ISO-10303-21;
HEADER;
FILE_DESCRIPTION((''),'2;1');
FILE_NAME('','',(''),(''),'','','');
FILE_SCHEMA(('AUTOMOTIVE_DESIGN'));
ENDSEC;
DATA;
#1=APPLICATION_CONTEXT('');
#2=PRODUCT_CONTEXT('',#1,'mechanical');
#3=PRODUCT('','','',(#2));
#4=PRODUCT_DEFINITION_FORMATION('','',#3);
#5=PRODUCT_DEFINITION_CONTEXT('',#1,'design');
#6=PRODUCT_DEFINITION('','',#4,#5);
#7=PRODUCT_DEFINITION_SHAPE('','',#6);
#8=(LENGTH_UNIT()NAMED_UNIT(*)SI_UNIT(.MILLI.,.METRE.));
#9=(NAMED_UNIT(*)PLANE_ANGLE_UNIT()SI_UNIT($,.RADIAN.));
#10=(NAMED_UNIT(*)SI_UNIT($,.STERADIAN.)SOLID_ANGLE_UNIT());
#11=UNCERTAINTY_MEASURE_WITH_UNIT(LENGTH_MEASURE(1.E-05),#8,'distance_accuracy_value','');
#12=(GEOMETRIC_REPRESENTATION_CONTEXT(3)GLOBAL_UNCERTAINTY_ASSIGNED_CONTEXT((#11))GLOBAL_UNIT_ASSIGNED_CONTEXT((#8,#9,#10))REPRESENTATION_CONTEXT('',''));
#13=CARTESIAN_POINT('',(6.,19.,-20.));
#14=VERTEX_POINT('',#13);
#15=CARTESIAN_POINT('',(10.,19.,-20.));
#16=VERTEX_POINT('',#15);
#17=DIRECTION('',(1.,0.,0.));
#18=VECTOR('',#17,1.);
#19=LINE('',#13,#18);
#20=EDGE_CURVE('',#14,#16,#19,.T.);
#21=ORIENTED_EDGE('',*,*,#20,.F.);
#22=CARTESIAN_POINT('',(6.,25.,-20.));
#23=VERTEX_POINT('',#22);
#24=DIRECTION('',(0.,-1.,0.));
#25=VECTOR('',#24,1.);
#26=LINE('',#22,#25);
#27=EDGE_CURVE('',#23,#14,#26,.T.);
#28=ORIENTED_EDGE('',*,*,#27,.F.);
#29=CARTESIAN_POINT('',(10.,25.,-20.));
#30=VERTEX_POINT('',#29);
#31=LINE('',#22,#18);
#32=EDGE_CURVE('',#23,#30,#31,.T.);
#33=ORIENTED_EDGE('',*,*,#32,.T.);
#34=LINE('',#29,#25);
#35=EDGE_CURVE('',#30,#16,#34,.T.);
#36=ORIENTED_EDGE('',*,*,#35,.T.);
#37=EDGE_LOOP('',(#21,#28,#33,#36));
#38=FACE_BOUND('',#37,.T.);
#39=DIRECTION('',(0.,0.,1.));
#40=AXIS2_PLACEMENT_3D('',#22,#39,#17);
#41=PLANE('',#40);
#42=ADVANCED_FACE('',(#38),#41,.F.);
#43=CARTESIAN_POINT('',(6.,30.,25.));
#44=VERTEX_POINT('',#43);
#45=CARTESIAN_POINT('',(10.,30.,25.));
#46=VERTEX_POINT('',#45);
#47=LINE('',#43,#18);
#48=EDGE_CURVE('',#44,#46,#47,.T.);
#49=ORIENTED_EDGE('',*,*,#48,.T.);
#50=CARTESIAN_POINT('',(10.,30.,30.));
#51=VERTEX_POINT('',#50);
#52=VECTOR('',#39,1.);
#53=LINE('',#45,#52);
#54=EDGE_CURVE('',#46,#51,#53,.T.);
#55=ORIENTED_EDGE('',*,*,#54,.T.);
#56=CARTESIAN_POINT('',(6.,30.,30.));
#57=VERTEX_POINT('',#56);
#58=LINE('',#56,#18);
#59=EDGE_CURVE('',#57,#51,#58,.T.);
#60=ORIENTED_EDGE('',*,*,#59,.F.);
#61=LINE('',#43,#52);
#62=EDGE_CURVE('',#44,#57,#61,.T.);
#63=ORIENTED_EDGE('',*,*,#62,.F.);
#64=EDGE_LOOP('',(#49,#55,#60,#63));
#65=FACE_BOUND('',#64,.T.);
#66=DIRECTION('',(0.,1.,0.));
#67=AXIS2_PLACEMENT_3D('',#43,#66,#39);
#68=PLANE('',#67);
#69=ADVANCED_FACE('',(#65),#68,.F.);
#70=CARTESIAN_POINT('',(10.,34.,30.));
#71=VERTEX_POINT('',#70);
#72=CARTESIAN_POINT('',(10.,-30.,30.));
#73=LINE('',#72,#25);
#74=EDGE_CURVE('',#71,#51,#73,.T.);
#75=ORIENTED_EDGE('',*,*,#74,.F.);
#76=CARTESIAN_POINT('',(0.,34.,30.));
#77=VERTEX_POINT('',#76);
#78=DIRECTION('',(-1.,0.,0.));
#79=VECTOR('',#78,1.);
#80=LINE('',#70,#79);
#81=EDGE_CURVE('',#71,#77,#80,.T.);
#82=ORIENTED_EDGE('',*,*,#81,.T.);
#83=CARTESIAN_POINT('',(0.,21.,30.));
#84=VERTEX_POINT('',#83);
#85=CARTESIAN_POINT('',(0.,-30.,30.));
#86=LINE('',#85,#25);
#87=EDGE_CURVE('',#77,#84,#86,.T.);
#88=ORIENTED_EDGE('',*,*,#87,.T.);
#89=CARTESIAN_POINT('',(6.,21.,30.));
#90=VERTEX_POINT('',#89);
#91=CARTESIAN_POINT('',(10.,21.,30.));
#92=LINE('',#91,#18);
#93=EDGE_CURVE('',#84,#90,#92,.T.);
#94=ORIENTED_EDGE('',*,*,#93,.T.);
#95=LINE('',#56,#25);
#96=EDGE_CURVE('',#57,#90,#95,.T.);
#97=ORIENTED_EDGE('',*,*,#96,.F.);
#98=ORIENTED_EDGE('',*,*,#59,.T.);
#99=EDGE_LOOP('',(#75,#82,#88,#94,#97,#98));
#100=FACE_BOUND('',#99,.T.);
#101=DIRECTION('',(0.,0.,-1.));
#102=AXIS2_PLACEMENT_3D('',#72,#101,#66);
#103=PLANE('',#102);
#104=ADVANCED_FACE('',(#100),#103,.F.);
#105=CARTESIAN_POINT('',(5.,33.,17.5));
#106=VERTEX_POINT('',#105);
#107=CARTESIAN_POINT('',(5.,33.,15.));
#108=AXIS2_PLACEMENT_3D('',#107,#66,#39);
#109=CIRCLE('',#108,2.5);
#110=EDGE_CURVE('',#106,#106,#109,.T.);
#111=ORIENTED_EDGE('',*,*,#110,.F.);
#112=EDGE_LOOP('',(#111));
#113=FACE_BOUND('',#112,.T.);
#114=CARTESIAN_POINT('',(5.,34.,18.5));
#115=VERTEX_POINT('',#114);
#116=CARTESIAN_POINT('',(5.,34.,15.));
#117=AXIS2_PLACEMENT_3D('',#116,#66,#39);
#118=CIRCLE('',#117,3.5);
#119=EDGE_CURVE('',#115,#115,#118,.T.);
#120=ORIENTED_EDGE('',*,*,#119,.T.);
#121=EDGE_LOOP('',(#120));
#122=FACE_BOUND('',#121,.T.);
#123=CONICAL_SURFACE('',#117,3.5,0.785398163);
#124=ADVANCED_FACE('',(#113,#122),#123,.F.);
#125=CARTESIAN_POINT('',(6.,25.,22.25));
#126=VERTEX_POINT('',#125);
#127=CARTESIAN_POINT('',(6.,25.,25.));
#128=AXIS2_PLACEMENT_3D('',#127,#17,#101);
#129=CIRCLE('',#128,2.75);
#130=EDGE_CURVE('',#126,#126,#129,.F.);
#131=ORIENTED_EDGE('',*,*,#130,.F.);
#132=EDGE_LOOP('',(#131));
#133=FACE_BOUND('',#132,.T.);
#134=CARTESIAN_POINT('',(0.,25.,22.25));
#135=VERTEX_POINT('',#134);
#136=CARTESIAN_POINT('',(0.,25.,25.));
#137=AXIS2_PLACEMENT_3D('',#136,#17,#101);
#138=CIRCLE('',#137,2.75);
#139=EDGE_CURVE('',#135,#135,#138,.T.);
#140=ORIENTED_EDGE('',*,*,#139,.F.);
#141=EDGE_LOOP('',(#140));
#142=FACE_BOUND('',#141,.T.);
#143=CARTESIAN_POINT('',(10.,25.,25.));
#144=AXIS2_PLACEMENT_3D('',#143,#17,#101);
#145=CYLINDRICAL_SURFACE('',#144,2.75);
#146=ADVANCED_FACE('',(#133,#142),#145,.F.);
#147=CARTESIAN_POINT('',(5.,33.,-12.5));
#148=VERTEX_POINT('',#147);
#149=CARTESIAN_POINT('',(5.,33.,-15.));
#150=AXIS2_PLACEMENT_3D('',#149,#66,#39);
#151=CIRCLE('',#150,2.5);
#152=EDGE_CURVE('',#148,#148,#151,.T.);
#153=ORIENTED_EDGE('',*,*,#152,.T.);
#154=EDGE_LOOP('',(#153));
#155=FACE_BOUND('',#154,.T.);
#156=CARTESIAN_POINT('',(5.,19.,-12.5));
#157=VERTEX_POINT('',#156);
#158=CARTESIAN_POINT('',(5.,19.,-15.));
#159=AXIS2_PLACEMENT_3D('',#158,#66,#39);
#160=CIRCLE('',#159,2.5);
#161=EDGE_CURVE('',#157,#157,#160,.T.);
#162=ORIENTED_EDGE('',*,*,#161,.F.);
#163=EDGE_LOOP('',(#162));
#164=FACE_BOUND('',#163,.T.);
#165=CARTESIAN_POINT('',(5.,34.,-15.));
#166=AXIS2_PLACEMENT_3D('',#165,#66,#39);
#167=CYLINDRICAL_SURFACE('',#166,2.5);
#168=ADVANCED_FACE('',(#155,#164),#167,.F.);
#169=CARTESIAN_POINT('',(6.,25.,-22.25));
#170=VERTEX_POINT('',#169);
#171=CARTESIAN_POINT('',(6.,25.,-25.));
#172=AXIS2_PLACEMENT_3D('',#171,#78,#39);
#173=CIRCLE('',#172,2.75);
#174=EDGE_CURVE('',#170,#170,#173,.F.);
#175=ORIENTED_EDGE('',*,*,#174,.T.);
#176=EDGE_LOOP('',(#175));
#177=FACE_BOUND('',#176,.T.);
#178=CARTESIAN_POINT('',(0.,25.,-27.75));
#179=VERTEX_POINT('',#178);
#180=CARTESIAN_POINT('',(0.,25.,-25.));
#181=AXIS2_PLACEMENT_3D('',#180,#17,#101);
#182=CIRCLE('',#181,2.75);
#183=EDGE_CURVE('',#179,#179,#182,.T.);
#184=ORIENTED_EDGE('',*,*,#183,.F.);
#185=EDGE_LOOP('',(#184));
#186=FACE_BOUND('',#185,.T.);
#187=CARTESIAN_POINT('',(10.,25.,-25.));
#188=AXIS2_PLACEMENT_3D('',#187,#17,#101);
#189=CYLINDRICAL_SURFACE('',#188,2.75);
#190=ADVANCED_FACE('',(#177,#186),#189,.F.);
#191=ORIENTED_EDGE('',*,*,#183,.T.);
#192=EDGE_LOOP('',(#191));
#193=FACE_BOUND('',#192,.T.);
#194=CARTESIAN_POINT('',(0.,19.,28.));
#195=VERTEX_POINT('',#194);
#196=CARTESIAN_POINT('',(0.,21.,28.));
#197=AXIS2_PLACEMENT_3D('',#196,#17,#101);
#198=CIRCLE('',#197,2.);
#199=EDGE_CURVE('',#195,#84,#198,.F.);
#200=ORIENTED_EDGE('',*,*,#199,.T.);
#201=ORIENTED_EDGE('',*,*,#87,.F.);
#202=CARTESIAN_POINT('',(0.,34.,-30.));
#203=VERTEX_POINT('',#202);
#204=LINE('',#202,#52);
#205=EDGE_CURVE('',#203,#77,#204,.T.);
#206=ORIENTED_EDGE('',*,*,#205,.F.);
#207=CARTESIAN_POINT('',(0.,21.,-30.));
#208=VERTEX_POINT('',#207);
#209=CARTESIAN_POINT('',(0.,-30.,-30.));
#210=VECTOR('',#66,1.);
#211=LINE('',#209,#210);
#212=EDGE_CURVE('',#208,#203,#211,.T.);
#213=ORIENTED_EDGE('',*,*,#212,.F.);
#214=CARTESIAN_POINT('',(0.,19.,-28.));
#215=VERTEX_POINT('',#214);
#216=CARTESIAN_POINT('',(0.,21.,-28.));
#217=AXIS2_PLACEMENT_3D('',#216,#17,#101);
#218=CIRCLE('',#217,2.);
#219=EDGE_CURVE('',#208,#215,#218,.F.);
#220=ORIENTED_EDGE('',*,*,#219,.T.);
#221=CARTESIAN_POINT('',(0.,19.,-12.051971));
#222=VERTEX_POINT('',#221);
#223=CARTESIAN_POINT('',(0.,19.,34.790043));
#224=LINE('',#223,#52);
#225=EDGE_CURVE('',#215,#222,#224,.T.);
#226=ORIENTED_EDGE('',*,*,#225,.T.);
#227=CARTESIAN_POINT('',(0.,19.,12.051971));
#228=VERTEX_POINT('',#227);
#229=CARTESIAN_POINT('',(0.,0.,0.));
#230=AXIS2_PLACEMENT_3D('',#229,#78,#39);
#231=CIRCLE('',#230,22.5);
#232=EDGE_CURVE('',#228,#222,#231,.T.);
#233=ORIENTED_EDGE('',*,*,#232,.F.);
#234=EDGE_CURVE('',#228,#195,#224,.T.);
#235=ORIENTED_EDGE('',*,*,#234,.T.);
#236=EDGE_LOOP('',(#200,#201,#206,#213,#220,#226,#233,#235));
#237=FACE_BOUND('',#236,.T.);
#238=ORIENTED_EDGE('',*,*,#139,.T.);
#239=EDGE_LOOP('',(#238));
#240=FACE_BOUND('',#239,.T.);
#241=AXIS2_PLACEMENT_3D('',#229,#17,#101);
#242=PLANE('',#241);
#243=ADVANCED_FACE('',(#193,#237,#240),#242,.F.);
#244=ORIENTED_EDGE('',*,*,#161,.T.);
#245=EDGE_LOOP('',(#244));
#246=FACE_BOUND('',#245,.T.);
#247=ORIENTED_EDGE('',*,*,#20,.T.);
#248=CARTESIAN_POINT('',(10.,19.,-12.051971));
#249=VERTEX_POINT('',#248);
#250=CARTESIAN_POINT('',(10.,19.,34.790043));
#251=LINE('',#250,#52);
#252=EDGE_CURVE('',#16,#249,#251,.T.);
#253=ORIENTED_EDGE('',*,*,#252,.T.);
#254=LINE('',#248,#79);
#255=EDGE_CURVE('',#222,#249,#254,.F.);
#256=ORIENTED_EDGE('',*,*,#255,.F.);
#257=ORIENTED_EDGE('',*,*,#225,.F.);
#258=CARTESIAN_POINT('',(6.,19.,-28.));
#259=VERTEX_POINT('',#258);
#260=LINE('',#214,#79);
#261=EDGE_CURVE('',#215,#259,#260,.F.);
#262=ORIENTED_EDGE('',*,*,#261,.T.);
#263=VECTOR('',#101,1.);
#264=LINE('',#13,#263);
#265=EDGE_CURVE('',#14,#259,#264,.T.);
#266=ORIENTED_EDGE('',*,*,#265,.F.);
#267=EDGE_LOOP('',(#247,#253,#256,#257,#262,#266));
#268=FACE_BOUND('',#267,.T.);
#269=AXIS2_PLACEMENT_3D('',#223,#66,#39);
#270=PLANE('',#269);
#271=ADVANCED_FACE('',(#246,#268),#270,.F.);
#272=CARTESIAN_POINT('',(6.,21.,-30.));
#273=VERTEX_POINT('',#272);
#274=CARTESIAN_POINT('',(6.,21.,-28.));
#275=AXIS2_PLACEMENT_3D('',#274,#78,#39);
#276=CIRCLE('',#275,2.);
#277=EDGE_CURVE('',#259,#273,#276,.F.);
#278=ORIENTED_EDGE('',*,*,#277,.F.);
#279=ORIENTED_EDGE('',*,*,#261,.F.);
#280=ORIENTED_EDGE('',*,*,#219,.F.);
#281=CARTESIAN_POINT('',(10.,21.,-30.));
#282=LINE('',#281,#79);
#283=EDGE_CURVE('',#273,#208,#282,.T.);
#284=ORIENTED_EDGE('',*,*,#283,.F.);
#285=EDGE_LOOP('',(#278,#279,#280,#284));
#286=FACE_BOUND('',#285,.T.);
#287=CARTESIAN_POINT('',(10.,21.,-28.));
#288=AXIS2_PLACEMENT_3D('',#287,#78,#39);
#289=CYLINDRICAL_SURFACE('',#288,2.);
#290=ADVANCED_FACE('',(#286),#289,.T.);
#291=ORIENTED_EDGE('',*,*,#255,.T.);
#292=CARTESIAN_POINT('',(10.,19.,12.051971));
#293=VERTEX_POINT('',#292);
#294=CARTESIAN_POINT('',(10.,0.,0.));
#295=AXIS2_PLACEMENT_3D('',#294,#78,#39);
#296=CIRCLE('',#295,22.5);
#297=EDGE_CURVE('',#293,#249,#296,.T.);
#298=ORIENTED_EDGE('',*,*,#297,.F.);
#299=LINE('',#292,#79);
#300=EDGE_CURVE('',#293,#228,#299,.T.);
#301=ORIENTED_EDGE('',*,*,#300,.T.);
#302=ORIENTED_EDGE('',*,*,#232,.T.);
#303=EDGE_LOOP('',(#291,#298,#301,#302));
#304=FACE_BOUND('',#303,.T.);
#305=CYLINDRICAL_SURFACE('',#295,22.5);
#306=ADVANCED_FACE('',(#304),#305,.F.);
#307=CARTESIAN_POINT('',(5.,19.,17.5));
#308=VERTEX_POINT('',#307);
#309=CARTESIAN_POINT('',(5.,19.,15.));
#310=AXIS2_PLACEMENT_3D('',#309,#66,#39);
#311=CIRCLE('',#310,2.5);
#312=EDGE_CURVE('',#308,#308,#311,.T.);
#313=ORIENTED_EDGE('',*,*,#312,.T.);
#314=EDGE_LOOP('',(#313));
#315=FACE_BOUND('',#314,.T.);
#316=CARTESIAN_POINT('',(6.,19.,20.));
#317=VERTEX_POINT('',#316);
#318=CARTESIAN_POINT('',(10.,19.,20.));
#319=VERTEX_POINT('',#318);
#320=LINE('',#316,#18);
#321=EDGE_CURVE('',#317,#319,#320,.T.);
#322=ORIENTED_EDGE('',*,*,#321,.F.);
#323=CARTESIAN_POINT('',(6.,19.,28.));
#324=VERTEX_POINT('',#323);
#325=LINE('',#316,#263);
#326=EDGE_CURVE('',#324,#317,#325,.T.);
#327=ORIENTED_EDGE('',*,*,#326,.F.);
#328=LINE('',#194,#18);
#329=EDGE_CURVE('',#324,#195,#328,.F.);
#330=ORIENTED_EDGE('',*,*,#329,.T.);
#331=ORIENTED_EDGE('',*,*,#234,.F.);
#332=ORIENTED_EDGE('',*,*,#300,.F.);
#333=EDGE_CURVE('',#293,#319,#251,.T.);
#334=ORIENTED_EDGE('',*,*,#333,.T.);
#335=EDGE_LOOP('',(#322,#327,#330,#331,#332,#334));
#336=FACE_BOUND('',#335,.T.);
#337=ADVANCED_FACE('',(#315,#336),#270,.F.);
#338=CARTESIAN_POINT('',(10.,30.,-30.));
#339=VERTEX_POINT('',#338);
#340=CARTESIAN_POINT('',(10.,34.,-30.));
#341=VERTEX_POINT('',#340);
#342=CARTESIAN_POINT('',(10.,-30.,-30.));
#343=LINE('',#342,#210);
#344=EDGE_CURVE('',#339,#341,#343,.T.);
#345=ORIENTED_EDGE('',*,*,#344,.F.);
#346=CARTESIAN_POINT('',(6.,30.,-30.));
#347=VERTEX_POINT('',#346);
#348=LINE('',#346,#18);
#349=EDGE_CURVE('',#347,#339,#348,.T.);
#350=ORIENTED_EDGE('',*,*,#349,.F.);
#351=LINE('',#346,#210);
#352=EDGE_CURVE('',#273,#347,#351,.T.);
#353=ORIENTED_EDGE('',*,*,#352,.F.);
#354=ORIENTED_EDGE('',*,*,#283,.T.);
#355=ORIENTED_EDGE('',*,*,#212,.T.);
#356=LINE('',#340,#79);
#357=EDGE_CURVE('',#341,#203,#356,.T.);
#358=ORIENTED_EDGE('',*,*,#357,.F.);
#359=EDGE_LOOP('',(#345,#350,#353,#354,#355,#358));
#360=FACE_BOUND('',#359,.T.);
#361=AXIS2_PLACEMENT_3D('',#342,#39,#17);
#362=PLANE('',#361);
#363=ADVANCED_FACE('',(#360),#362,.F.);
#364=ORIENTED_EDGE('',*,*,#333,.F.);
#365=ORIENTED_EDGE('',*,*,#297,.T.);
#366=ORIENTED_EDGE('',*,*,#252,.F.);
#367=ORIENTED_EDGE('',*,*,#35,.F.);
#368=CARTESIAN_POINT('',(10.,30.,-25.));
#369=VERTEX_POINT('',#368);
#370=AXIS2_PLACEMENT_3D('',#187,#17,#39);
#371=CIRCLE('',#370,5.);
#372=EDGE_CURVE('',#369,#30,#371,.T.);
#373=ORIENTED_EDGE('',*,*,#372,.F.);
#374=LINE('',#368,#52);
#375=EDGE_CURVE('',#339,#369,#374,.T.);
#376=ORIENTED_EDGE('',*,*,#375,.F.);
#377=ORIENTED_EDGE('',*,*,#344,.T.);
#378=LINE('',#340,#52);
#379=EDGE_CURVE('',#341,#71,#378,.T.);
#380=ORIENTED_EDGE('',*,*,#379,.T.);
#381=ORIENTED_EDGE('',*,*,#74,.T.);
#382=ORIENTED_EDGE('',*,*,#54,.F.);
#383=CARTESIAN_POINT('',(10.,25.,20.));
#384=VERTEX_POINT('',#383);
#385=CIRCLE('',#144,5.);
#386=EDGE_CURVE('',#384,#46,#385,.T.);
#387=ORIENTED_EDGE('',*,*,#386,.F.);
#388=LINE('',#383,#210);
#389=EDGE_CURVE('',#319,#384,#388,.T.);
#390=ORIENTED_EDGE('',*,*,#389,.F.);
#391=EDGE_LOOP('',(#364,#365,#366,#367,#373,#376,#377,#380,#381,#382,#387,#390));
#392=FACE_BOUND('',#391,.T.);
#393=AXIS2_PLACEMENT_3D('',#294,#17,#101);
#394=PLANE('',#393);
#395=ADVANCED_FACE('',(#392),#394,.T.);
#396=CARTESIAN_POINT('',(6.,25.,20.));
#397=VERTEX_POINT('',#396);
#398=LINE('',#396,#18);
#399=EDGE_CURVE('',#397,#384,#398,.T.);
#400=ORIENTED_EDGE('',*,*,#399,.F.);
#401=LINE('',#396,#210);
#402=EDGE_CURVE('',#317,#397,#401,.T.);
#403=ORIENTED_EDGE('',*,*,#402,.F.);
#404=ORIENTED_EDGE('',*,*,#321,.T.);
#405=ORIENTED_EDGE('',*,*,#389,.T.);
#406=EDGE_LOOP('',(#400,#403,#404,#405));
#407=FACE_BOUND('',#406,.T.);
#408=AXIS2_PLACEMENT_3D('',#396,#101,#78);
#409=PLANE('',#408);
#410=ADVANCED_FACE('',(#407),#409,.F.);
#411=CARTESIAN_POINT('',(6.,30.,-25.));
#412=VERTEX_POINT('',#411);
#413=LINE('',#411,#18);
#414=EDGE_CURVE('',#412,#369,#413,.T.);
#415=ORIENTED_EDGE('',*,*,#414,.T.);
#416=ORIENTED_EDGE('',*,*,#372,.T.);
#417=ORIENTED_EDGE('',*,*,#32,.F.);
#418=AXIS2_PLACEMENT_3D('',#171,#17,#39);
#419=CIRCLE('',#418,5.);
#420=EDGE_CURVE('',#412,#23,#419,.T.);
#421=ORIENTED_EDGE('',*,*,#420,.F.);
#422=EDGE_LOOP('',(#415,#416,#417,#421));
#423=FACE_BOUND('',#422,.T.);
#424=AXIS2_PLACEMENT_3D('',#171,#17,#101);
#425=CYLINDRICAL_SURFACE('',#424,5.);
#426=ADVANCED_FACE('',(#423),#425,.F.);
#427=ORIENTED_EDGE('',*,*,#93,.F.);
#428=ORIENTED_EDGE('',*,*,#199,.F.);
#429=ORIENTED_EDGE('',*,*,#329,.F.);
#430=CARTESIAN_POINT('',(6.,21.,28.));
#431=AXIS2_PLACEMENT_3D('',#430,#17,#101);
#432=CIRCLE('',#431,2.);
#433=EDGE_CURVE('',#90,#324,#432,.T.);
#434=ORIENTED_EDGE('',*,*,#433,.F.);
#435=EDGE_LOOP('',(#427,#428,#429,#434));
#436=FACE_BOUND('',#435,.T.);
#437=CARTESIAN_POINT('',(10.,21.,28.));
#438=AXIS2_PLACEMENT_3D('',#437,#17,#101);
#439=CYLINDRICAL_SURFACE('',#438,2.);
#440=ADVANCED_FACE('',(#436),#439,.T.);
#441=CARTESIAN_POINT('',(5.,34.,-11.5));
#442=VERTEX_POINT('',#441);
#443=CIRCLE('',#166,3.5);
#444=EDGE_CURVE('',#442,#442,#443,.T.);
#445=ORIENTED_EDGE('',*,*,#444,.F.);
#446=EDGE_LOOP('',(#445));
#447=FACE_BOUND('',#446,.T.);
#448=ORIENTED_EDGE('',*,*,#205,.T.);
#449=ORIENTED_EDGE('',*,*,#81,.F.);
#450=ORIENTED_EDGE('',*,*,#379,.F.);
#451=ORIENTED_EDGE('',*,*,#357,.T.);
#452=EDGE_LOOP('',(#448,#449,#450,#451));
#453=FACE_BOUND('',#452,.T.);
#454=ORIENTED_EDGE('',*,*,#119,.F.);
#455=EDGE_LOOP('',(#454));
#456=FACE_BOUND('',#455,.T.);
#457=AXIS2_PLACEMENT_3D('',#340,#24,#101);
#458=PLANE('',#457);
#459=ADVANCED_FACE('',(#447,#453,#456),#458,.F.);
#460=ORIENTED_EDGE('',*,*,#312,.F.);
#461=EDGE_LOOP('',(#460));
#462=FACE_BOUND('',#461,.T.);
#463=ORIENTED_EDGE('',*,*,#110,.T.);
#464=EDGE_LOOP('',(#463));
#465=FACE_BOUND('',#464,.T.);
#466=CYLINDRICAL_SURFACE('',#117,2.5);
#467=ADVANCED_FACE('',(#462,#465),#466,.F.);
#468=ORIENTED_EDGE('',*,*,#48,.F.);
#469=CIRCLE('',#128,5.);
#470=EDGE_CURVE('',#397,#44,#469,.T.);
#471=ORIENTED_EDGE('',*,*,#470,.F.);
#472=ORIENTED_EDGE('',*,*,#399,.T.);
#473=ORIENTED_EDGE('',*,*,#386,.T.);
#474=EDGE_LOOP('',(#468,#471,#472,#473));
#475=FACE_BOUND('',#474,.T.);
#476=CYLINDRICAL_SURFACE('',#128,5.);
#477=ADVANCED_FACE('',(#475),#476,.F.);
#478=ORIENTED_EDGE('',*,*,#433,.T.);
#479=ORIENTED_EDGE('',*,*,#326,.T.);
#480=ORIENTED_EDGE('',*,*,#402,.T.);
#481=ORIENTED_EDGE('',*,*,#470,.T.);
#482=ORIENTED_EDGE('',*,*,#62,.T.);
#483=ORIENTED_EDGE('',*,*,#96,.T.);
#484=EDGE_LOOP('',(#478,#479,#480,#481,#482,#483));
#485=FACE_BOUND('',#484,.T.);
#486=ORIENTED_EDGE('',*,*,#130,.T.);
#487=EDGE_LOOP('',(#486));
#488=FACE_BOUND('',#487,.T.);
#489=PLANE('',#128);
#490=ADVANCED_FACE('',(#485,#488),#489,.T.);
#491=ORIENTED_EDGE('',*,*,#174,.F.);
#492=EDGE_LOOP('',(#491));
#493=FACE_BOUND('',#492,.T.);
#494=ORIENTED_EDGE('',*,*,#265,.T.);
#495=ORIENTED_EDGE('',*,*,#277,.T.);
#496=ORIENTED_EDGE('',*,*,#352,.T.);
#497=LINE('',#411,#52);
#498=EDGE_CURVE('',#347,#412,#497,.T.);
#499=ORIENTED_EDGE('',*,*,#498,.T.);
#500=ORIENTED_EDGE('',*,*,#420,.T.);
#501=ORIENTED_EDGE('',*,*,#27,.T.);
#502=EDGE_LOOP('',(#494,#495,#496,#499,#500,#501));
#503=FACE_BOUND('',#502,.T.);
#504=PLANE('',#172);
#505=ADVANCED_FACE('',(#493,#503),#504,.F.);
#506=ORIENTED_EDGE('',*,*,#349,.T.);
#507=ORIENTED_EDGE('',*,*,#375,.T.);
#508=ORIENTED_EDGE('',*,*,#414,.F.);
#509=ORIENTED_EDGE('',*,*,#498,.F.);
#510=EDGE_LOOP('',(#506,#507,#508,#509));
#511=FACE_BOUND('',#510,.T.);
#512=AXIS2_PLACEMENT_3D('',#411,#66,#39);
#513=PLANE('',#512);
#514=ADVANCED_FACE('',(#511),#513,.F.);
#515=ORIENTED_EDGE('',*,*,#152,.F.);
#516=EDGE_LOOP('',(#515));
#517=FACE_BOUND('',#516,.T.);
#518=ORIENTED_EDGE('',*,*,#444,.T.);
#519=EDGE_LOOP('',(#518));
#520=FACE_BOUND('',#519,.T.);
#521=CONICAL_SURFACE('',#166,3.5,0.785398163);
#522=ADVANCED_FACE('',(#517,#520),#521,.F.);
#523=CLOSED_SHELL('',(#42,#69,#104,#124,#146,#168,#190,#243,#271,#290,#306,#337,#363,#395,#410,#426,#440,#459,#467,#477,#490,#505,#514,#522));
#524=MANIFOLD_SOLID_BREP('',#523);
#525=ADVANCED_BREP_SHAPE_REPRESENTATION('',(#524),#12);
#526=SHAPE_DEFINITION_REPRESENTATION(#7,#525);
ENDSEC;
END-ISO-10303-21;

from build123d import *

# Parameters (mm, degrees)
SKETCH_7_W                  = 60
SKETCH_7_H                  = 64
EXTRUDE_1_DEPTH             = 10
SKETCH_12_R                 = 22.5
CUT_EXTRUDE_6_DEPTH         = 10
SKETCH_11_W                 = 69.759203198
SKETCH_11_H                 = 53.938344997
CUT_EXTRUDE_5_DEPTH         = 10
HOLE_WIZARD_M51_D           = 5.5
HOLE_WIZARD_M61_D           = 5
HOLE_WIZARD_M61_CSINK_D     = 7
HOLE_WIZARD_M61_CSINK_ANGLE = 90
CUT_EXTRUDE_7_DEPTH         = 4
FILLET_1_R                  = 2


with BuildPart() as part:
    # Эскиз7 → Бобышка-Вытянуть1 (new body)
    with BuildSketch(Plane(origin=(0, 0, 0), x_dir=(0, 0, -1), z_dir=(1, 0, 0))):
        with Locations((0, 2)):
            Rectangle(SKETCH_7_W, SKETCH_7_H)
    extrude(amount=EXTRUDE_1_DEPTH)

    # Эскиз12 → Вырез-Вытянуть6 (cut)
    with BuildSketch(Plane.ZY):
        Circle(SKETCH_12_R)
    extrude(amount=-CUT_EXTRUDE_6_DEPTH, mode=Mode.SUBTRACT)

    # Эскиз11 → Вырез-Вытянуть5 (cut)
    with BuildSketch(Plane(origin=(10, 0, 0), x_dir=(0, 0, -1), z_dir=(1, 0, 0))):
        with Locations((0.089558527, -7.969172499)):
            Rectangle(SKETCH_11_W, SKETCH_11_H)
    extrude(amount=-CUT_EXTRUDE_5_DEPTH, mode=Mode.SUBTRACT)

    # Сверло под метчик  спиральное M51 (through all)
    with Locations(Plane(origin=(10, 0, 0), x_dir=(0, 0, -1), z_dir=(1, 0, 0))):
        with Locations((-25, 25), (25, 25)):
            Hole(HOLE_WIZARD_M51_D / 2)

    # Отверстие обработанное метчиком M61 (through all)
    with Locations(Plane(origin=(0, 34, 0), x_dir=(1, 0, 0), z_dir=(0, 1, 0))):
        with Locations((5, 15), (5, -15)):
            CounterSinkHole(HOLE_WIZARD_M61_D / 2, HOLE_WIZARD_M61_CSINK_D / 2, counter_sink_angle=HOLE_WIZARD_M61_CSINK_ANGLE)

    # Эскиз16 → Вырез-Вытянуть7 (cut)
    with BuildSketch(Plane(origin=(10, 0, 0), x_dir=(0, 0, -1), z_dir=(1, 0, 0))):
        with BuildLine():
            Line((-25, 30), (-30, 30))
            Line((-30, 30), (-30, 19))
            Line((-30, 19), (-20, 19))
            Line((-20, 19), (-20, 25))
            ThreePointArc((-20, 25), (-21.464466094, 28.535533906), (-25, 30))
        make_face()
        with BuildLine():
            Line((20, 25), (20, 19))
            Line((20, 19), (30, 19))
            Line((30, 19), (30, 30))
            Line((30, 30), (25, 30))
            ThreePointArc((25, 30), (21.464466094, 28.535533906), (20, 25))
        make_face()
    extrude(amount=-CUT_EXTRUDE_7_DEPTH, mode=Mode.SUBTRACT)

    # Скругление1
    fillet_1_edges = [part.edges().sort_by_distance(p)[0] for p in [
        (3, 19, 30),
        (3, 19, -30),
    ]]
    fillet(fillet_1_edges, radius=FILLET_1_R)


solid = part.part
